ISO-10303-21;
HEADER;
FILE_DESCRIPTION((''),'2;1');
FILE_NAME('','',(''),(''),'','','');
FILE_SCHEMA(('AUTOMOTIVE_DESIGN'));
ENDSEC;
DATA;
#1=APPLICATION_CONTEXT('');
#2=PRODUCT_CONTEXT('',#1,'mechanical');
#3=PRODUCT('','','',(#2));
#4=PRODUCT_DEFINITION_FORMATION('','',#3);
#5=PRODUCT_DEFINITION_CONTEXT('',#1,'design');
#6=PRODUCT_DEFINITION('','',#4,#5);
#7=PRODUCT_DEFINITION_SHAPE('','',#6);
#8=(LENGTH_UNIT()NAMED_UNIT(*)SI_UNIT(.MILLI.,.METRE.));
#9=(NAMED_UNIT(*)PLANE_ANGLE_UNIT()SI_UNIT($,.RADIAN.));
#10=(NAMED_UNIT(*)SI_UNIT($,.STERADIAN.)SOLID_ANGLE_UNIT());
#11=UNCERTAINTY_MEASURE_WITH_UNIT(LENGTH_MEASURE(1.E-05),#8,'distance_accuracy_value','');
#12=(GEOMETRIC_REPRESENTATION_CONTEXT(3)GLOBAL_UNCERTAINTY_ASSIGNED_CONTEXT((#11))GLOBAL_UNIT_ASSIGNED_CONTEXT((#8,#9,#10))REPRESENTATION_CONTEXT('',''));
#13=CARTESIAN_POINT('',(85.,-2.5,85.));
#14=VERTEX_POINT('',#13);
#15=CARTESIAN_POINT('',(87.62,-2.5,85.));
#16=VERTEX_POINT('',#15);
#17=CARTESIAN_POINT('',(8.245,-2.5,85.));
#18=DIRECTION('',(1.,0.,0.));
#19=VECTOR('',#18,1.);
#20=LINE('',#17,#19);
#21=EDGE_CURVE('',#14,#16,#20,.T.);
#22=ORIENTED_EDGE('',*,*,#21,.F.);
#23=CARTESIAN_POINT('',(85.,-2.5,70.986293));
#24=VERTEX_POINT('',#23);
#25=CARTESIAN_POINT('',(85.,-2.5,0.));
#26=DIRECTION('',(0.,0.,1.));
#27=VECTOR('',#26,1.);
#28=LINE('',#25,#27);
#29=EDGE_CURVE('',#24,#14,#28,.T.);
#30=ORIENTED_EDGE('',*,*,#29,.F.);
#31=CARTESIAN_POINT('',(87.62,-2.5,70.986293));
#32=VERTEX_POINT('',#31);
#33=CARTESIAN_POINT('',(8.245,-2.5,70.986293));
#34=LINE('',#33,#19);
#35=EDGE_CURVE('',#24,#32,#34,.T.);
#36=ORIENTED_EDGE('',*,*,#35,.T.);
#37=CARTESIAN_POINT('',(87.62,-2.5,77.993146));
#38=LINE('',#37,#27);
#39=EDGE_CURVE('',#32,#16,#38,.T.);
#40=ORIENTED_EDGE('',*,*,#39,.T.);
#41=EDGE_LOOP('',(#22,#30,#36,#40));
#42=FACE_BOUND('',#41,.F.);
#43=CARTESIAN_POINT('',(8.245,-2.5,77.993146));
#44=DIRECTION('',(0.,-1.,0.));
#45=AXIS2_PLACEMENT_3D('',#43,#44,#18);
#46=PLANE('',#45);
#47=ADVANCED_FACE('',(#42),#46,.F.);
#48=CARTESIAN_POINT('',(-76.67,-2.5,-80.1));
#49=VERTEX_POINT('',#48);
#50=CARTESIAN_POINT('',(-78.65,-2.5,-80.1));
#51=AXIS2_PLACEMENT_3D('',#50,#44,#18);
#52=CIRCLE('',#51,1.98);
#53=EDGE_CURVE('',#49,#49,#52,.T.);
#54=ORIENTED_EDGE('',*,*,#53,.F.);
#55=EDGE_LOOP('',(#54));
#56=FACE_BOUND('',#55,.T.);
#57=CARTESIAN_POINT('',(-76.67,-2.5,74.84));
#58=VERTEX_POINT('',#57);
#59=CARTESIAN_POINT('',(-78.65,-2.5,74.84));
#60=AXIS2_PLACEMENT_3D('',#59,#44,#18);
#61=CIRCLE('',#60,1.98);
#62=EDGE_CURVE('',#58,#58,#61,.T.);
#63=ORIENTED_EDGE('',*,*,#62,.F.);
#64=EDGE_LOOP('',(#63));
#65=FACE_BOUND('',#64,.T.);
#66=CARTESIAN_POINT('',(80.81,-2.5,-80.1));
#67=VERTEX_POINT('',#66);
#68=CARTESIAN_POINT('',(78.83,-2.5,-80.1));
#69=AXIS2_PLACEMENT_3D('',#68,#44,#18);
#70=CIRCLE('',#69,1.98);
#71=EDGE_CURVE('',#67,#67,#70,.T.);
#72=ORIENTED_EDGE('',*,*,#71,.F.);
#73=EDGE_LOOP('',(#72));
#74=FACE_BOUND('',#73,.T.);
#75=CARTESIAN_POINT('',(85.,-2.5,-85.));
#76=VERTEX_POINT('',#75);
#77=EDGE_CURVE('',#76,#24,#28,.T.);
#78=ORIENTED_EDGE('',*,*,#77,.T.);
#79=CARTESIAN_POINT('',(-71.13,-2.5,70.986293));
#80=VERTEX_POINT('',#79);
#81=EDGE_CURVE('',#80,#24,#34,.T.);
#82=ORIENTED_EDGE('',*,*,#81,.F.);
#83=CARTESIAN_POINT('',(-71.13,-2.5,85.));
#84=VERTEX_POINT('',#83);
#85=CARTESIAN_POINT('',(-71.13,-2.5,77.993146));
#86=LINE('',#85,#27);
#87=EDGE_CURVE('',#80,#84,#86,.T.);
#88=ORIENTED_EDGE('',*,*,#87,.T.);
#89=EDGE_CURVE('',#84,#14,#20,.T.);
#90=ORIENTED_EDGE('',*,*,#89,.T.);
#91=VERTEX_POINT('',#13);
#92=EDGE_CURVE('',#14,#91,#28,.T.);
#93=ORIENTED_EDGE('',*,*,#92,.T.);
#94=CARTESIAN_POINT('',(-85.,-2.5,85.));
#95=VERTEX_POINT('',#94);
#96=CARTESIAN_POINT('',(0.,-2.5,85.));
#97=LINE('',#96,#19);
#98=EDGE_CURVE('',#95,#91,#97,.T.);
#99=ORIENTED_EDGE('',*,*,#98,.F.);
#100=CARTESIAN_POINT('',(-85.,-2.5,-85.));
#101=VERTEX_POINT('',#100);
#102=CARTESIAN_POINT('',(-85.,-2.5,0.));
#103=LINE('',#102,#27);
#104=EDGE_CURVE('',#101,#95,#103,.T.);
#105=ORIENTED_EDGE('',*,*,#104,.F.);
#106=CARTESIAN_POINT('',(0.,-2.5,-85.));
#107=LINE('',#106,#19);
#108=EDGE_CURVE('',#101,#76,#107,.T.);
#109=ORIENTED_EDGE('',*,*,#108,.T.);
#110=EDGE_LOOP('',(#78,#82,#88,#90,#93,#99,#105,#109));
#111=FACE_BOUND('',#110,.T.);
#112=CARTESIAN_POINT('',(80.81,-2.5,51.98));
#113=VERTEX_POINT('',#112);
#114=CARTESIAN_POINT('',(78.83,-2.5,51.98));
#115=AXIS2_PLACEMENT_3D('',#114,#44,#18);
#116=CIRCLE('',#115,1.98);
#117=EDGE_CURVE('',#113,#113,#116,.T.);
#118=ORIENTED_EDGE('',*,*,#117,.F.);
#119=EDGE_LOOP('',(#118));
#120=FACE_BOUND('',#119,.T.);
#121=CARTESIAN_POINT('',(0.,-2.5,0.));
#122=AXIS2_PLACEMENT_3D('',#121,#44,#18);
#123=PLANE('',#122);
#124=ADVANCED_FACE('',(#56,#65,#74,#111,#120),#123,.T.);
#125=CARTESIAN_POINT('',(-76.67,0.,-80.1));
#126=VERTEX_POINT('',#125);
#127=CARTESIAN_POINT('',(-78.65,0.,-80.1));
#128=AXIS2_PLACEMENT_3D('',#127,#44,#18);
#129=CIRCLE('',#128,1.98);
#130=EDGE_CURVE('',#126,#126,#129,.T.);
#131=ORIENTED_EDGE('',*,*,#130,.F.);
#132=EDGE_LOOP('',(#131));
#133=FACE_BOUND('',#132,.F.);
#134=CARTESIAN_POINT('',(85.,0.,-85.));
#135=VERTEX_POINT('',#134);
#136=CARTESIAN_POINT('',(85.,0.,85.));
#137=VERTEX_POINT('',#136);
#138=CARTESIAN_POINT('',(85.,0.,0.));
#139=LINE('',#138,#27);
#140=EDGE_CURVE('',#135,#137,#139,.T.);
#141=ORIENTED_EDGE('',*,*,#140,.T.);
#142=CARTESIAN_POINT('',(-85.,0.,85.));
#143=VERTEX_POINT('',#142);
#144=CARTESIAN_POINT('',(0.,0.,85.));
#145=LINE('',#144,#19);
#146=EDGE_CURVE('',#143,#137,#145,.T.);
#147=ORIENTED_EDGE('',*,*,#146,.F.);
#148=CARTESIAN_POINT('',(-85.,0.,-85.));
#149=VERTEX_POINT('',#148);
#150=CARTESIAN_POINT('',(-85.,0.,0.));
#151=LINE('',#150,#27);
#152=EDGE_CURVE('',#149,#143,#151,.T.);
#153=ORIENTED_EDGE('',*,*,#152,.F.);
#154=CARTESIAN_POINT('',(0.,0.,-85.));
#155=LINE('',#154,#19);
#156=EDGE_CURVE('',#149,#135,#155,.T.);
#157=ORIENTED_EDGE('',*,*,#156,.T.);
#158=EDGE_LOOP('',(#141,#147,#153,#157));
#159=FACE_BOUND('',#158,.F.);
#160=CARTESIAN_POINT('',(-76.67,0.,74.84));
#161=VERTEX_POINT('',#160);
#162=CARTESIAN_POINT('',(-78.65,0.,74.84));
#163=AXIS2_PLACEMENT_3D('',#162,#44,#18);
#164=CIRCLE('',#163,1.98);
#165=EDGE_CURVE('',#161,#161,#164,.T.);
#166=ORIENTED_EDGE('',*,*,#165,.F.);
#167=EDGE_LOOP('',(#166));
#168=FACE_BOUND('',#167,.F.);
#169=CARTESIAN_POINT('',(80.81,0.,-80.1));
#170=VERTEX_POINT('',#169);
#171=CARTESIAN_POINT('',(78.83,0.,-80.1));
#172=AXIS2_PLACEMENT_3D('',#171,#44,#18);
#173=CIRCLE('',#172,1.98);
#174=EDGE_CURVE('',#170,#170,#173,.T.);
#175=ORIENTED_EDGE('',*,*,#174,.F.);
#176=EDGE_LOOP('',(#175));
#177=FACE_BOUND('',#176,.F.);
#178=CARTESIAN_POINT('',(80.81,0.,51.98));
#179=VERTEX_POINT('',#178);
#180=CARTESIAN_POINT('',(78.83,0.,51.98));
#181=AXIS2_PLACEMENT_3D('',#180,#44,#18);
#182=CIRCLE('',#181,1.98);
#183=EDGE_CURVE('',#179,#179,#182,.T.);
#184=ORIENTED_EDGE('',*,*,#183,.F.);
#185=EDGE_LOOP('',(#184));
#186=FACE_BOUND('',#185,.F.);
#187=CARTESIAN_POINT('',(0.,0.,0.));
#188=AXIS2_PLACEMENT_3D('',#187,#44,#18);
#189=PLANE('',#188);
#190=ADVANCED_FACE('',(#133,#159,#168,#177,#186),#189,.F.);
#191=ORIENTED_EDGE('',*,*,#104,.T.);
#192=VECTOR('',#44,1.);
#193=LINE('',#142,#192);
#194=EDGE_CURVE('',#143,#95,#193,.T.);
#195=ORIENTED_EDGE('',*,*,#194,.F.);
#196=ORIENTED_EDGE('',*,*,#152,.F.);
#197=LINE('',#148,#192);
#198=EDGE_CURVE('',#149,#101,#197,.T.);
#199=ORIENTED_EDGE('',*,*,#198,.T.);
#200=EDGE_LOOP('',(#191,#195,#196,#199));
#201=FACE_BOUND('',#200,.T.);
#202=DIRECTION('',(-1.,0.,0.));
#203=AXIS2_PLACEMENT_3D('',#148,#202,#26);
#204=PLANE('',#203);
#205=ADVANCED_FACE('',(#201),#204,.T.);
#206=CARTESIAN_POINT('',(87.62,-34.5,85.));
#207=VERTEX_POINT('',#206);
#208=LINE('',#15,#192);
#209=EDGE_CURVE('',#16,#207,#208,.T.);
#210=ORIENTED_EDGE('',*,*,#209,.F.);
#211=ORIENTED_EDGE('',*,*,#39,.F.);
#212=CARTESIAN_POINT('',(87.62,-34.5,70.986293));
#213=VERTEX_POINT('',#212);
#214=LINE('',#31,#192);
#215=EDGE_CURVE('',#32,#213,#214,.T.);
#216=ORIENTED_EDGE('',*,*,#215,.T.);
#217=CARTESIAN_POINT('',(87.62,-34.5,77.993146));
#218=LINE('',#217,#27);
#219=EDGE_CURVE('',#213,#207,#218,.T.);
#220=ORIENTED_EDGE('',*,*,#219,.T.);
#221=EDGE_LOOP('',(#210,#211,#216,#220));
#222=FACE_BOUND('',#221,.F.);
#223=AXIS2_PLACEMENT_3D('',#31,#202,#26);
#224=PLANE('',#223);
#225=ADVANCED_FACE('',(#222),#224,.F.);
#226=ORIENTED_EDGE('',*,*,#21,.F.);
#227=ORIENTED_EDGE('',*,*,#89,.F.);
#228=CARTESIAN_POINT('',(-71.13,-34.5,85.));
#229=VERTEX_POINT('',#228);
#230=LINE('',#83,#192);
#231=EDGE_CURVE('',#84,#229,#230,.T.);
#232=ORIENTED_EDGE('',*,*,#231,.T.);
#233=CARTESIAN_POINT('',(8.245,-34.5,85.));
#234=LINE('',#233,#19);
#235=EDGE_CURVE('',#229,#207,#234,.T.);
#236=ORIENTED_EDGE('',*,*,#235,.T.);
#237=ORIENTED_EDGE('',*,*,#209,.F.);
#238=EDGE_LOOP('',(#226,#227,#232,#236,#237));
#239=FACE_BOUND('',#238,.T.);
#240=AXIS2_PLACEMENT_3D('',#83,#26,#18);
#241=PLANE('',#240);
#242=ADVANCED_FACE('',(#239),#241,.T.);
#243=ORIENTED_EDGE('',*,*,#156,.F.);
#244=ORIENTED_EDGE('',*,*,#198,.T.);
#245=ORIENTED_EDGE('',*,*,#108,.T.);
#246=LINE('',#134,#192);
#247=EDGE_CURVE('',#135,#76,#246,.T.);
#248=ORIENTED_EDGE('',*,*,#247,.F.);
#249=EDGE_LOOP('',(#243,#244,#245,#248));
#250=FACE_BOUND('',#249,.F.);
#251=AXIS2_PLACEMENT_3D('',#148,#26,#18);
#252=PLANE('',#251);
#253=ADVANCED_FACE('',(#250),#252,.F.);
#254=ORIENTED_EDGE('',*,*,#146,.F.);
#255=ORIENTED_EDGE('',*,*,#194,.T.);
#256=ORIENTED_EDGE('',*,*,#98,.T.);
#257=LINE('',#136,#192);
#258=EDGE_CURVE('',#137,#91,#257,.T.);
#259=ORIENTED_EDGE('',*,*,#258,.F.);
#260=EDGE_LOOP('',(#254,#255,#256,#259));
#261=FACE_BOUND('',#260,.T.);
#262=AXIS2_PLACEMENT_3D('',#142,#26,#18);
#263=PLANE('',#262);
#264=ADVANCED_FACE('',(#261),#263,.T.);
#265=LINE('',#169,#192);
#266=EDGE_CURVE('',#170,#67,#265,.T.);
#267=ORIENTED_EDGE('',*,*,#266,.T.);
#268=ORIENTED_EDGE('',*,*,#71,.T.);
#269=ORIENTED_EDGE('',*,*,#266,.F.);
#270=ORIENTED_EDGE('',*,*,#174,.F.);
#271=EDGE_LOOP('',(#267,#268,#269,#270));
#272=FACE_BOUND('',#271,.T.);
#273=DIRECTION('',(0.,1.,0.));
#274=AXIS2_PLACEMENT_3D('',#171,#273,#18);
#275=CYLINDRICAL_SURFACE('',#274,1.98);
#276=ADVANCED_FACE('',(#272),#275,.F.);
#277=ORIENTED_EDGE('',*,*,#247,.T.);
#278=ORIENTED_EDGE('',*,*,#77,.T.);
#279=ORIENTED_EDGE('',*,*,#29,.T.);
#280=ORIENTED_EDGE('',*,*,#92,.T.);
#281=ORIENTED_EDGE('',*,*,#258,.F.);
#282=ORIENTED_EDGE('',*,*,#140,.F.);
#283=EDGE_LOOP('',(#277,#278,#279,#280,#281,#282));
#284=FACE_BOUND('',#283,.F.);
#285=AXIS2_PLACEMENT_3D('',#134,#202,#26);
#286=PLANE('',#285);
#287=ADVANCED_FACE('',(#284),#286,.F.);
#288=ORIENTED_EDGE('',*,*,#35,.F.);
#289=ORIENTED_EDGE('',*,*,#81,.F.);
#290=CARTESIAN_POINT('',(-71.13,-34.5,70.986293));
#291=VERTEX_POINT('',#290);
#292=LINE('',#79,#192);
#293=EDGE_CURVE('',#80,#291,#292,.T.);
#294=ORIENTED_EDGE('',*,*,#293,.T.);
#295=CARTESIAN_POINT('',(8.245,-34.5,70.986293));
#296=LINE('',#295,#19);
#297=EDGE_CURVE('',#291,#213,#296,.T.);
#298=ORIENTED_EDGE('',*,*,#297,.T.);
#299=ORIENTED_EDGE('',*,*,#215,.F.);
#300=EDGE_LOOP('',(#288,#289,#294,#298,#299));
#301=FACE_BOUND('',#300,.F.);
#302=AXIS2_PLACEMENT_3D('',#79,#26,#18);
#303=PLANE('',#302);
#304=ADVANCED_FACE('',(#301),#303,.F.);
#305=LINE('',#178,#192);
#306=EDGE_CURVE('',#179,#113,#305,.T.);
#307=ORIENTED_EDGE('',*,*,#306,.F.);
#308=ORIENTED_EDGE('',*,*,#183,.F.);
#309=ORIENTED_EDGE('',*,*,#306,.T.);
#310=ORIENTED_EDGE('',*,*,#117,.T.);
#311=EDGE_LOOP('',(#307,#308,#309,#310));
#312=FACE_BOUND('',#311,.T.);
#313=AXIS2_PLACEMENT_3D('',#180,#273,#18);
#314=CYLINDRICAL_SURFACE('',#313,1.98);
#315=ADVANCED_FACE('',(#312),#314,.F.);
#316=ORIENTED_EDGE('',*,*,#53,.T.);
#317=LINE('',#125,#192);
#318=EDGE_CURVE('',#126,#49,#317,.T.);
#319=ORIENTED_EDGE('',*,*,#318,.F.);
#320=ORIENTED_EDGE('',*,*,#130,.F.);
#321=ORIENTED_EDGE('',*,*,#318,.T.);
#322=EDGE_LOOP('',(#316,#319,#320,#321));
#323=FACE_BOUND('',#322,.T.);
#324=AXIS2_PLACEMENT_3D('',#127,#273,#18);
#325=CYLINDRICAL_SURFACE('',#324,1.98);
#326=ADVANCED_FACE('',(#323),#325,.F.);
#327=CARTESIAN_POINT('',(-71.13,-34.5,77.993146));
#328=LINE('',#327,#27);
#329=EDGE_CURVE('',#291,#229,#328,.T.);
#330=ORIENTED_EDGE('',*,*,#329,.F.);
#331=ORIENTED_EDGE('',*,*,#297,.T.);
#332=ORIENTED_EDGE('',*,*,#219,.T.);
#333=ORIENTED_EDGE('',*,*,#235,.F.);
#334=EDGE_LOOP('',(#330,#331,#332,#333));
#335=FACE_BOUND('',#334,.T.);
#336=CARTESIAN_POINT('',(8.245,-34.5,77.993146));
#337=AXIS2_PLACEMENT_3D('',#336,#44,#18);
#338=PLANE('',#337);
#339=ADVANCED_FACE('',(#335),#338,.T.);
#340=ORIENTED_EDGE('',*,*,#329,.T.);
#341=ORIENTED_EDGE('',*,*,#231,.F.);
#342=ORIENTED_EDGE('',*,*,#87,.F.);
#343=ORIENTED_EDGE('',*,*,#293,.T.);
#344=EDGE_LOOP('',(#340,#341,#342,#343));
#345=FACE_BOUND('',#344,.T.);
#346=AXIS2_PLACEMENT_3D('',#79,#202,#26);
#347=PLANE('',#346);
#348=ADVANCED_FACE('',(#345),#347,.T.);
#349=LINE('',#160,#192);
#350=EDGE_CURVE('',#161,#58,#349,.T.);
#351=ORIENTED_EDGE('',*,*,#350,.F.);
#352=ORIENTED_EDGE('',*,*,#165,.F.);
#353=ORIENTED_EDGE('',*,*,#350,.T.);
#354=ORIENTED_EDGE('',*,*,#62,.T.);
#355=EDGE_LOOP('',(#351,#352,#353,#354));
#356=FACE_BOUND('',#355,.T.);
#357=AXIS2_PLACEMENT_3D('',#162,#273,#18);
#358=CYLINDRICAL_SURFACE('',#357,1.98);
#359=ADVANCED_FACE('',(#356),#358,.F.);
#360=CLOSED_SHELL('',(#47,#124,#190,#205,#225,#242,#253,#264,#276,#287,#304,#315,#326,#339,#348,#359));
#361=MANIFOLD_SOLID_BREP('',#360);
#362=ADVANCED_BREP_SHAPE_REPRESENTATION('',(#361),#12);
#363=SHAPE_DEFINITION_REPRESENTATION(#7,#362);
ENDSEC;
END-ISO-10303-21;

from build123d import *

# Parameters (mm, degrees)
F0_W     = 170
F0_H     = 170
F0_R     = 1.98
F1_DEPTH = 2.5
F2_W     = 158.75
F2_H     = 14.013707
F3_DEPTH = 32


with BuildPart() as f1:
    # F0 (on Front) → F1 (new body)
    with BuildSketch(Plane.XZ):
        Rectangle(F0_W, F0_H)
        with Locations((-78.65, -80.1)):
            Circle(F0_R, mode=Mode.SUBTRACT)
        with Locations((78.83, -80.1)):
            Circle(F0_R, mode=Mode.SUBTRACT)
        with Locations((-78.65, 74.84)):
            Circle(F0_R, mode=Mode.SUBTRACT)
        with Locations((78.83, 51.98)):
            Circle(F0_R, mode=Mode.SUBTRACT)
    extrude(amount=F1_DEPTH)

    # F2 (on face) → F3 (join)
    with BuildSketch(Plane.XZ.offset(2.5)):
        with Locations((8.245, 77.993146)):
            Rectangle(F2_W, F2_H)
    extrude(amount=F3_DEPTH)


solid = f1.part
